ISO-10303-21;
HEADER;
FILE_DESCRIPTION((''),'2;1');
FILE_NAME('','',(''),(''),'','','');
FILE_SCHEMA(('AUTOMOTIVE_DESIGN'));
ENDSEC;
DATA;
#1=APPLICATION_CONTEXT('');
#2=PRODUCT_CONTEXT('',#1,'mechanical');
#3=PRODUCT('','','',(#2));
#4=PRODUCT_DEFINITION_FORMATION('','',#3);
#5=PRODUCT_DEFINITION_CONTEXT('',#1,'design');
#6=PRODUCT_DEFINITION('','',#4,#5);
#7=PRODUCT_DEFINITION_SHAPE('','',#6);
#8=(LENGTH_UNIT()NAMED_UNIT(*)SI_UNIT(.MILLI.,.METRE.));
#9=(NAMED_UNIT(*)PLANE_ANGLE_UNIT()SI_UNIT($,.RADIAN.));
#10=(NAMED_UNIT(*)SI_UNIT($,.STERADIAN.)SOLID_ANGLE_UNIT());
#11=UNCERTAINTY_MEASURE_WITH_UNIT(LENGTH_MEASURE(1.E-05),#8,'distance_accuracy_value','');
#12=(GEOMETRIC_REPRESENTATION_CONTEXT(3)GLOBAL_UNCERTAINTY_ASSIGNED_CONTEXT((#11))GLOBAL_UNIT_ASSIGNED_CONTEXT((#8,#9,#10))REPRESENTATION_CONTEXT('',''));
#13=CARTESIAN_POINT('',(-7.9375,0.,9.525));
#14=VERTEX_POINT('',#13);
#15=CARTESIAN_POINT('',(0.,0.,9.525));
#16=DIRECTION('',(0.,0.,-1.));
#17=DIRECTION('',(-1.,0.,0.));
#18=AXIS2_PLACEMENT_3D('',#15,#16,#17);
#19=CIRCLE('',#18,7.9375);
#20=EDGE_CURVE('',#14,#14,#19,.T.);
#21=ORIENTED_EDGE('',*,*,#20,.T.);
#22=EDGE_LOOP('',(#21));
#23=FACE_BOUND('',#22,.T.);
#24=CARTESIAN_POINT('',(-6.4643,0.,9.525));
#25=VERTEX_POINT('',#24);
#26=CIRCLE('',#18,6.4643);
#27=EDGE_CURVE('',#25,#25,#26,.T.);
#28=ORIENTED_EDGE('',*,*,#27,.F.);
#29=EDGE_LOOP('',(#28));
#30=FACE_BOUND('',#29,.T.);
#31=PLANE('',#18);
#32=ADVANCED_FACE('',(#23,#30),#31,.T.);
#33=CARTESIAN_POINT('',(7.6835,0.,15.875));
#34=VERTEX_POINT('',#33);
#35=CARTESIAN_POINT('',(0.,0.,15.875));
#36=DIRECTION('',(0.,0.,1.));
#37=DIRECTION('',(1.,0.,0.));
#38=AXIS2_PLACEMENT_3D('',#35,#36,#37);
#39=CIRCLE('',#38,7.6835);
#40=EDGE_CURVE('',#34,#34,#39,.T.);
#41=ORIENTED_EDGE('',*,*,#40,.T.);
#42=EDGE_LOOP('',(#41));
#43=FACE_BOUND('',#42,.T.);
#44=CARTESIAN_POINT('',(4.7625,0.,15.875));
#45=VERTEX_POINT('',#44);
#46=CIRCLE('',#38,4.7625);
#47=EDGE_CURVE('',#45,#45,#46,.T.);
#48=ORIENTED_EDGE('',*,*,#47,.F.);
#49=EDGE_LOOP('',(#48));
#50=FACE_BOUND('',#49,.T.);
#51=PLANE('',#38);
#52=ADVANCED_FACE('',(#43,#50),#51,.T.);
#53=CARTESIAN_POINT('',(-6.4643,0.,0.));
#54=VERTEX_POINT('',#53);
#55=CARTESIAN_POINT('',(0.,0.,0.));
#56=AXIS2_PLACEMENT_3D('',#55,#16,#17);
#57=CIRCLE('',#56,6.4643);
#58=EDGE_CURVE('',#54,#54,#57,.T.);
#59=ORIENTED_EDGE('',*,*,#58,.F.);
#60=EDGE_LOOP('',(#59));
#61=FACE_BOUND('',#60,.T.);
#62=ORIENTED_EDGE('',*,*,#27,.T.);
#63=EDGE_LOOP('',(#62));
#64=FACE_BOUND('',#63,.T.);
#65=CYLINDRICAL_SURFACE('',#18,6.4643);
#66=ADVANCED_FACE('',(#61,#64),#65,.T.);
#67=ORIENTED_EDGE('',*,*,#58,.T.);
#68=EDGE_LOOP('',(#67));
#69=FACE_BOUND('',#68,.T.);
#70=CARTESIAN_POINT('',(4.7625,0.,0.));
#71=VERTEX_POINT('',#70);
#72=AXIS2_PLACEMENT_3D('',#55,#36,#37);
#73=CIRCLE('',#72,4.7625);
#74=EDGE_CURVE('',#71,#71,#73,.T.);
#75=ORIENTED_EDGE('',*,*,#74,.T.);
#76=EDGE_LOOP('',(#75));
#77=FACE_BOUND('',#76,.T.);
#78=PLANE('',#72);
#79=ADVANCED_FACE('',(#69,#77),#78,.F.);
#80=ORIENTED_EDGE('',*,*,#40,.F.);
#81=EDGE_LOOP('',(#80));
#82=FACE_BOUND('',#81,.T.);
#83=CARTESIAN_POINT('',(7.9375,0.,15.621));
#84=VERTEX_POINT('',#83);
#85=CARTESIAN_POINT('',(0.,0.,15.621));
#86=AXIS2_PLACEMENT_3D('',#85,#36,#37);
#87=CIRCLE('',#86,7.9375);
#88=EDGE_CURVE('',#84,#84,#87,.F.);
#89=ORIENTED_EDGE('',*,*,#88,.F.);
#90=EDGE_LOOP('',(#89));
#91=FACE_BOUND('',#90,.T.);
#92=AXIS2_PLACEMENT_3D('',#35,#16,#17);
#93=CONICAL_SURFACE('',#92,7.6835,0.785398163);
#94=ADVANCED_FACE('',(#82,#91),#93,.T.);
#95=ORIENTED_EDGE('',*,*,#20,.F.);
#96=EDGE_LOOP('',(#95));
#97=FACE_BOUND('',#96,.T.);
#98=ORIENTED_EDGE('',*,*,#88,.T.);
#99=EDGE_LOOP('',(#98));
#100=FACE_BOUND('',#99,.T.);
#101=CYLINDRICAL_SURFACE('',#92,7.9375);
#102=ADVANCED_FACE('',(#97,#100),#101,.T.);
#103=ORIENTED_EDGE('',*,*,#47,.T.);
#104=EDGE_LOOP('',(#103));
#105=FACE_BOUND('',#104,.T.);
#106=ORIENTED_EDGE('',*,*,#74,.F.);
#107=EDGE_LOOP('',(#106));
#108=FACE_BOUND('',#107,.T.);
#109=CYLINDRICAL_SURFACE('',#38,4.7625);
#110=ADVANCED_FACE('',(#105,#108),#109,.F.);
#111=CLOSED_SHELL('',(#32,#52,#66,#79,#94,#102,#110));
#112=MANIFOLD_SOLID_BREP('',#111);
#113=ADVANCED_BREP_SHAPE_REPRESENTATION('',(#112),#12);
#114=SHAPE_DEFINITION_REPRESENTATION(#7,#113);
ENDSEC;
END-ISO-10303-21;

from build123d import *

# Parameters (mm, degrees)
SKETCH1_R                   = 7.9375
BOSS_EXTRUDE1_DEPTH         = 15.875
CHAMFER1_SIZE               = 0.254
SKETCH2_OUTSIDE_W           = 23.376
SKETCH2_OUTSIDE_H           = 23.376
SKETCH2_OUTSIDE_R           = 6.4643
CUT_EXTRUDE1_DEPTH          = 9.525
F_5_16_0_3125_DOWEL_HOLE1_D = 9.525


with BuildPart() as part:
    # Sketch1 → Boss-Extrude1 (new body)
    with BuildSketch(Plane.XY):
        Circle(SKETCH1_R)
    extrude(amount=BOSS_EXTRUDE1_DEPTH)

    # Chamfer1
    chamfer1_edges = [part.edges().sort_by_distance(p)[0] for p in [
        (-7.9375, 0, 15.875),
    ]]
    chamfer(chamfer1_edges, length=CHAMFER1_SIZE)

    # Sketch2 outside → Cut-Extrude1 (cut)
    with BuildSketch(Plane(origin=(0, 0, 0), x_dir=(-1, 0, 0), z_dir=(0, 0, -1))):
        Rectangle(SKETCH2_OUTSIDE_W, SKETCH2_OUTSIDE_H)
        Circle(SKETCH2_OUTSIDE_R, mode=Mode.SUBTRACT)
    extrude(amount=-CUT_EXTRUDE1_DEPTH, mode=Mode.SUBTRACT)

    # 5/16 (0.3125) Dowel Hole1 (through all)
    with Locations(Plane.XY.offset(15.875)):
        with Locations((0, 0)):
            Hole(F_5_16_0_3125_DOWEL_HOLE1_D / 2)


solid = part.part
